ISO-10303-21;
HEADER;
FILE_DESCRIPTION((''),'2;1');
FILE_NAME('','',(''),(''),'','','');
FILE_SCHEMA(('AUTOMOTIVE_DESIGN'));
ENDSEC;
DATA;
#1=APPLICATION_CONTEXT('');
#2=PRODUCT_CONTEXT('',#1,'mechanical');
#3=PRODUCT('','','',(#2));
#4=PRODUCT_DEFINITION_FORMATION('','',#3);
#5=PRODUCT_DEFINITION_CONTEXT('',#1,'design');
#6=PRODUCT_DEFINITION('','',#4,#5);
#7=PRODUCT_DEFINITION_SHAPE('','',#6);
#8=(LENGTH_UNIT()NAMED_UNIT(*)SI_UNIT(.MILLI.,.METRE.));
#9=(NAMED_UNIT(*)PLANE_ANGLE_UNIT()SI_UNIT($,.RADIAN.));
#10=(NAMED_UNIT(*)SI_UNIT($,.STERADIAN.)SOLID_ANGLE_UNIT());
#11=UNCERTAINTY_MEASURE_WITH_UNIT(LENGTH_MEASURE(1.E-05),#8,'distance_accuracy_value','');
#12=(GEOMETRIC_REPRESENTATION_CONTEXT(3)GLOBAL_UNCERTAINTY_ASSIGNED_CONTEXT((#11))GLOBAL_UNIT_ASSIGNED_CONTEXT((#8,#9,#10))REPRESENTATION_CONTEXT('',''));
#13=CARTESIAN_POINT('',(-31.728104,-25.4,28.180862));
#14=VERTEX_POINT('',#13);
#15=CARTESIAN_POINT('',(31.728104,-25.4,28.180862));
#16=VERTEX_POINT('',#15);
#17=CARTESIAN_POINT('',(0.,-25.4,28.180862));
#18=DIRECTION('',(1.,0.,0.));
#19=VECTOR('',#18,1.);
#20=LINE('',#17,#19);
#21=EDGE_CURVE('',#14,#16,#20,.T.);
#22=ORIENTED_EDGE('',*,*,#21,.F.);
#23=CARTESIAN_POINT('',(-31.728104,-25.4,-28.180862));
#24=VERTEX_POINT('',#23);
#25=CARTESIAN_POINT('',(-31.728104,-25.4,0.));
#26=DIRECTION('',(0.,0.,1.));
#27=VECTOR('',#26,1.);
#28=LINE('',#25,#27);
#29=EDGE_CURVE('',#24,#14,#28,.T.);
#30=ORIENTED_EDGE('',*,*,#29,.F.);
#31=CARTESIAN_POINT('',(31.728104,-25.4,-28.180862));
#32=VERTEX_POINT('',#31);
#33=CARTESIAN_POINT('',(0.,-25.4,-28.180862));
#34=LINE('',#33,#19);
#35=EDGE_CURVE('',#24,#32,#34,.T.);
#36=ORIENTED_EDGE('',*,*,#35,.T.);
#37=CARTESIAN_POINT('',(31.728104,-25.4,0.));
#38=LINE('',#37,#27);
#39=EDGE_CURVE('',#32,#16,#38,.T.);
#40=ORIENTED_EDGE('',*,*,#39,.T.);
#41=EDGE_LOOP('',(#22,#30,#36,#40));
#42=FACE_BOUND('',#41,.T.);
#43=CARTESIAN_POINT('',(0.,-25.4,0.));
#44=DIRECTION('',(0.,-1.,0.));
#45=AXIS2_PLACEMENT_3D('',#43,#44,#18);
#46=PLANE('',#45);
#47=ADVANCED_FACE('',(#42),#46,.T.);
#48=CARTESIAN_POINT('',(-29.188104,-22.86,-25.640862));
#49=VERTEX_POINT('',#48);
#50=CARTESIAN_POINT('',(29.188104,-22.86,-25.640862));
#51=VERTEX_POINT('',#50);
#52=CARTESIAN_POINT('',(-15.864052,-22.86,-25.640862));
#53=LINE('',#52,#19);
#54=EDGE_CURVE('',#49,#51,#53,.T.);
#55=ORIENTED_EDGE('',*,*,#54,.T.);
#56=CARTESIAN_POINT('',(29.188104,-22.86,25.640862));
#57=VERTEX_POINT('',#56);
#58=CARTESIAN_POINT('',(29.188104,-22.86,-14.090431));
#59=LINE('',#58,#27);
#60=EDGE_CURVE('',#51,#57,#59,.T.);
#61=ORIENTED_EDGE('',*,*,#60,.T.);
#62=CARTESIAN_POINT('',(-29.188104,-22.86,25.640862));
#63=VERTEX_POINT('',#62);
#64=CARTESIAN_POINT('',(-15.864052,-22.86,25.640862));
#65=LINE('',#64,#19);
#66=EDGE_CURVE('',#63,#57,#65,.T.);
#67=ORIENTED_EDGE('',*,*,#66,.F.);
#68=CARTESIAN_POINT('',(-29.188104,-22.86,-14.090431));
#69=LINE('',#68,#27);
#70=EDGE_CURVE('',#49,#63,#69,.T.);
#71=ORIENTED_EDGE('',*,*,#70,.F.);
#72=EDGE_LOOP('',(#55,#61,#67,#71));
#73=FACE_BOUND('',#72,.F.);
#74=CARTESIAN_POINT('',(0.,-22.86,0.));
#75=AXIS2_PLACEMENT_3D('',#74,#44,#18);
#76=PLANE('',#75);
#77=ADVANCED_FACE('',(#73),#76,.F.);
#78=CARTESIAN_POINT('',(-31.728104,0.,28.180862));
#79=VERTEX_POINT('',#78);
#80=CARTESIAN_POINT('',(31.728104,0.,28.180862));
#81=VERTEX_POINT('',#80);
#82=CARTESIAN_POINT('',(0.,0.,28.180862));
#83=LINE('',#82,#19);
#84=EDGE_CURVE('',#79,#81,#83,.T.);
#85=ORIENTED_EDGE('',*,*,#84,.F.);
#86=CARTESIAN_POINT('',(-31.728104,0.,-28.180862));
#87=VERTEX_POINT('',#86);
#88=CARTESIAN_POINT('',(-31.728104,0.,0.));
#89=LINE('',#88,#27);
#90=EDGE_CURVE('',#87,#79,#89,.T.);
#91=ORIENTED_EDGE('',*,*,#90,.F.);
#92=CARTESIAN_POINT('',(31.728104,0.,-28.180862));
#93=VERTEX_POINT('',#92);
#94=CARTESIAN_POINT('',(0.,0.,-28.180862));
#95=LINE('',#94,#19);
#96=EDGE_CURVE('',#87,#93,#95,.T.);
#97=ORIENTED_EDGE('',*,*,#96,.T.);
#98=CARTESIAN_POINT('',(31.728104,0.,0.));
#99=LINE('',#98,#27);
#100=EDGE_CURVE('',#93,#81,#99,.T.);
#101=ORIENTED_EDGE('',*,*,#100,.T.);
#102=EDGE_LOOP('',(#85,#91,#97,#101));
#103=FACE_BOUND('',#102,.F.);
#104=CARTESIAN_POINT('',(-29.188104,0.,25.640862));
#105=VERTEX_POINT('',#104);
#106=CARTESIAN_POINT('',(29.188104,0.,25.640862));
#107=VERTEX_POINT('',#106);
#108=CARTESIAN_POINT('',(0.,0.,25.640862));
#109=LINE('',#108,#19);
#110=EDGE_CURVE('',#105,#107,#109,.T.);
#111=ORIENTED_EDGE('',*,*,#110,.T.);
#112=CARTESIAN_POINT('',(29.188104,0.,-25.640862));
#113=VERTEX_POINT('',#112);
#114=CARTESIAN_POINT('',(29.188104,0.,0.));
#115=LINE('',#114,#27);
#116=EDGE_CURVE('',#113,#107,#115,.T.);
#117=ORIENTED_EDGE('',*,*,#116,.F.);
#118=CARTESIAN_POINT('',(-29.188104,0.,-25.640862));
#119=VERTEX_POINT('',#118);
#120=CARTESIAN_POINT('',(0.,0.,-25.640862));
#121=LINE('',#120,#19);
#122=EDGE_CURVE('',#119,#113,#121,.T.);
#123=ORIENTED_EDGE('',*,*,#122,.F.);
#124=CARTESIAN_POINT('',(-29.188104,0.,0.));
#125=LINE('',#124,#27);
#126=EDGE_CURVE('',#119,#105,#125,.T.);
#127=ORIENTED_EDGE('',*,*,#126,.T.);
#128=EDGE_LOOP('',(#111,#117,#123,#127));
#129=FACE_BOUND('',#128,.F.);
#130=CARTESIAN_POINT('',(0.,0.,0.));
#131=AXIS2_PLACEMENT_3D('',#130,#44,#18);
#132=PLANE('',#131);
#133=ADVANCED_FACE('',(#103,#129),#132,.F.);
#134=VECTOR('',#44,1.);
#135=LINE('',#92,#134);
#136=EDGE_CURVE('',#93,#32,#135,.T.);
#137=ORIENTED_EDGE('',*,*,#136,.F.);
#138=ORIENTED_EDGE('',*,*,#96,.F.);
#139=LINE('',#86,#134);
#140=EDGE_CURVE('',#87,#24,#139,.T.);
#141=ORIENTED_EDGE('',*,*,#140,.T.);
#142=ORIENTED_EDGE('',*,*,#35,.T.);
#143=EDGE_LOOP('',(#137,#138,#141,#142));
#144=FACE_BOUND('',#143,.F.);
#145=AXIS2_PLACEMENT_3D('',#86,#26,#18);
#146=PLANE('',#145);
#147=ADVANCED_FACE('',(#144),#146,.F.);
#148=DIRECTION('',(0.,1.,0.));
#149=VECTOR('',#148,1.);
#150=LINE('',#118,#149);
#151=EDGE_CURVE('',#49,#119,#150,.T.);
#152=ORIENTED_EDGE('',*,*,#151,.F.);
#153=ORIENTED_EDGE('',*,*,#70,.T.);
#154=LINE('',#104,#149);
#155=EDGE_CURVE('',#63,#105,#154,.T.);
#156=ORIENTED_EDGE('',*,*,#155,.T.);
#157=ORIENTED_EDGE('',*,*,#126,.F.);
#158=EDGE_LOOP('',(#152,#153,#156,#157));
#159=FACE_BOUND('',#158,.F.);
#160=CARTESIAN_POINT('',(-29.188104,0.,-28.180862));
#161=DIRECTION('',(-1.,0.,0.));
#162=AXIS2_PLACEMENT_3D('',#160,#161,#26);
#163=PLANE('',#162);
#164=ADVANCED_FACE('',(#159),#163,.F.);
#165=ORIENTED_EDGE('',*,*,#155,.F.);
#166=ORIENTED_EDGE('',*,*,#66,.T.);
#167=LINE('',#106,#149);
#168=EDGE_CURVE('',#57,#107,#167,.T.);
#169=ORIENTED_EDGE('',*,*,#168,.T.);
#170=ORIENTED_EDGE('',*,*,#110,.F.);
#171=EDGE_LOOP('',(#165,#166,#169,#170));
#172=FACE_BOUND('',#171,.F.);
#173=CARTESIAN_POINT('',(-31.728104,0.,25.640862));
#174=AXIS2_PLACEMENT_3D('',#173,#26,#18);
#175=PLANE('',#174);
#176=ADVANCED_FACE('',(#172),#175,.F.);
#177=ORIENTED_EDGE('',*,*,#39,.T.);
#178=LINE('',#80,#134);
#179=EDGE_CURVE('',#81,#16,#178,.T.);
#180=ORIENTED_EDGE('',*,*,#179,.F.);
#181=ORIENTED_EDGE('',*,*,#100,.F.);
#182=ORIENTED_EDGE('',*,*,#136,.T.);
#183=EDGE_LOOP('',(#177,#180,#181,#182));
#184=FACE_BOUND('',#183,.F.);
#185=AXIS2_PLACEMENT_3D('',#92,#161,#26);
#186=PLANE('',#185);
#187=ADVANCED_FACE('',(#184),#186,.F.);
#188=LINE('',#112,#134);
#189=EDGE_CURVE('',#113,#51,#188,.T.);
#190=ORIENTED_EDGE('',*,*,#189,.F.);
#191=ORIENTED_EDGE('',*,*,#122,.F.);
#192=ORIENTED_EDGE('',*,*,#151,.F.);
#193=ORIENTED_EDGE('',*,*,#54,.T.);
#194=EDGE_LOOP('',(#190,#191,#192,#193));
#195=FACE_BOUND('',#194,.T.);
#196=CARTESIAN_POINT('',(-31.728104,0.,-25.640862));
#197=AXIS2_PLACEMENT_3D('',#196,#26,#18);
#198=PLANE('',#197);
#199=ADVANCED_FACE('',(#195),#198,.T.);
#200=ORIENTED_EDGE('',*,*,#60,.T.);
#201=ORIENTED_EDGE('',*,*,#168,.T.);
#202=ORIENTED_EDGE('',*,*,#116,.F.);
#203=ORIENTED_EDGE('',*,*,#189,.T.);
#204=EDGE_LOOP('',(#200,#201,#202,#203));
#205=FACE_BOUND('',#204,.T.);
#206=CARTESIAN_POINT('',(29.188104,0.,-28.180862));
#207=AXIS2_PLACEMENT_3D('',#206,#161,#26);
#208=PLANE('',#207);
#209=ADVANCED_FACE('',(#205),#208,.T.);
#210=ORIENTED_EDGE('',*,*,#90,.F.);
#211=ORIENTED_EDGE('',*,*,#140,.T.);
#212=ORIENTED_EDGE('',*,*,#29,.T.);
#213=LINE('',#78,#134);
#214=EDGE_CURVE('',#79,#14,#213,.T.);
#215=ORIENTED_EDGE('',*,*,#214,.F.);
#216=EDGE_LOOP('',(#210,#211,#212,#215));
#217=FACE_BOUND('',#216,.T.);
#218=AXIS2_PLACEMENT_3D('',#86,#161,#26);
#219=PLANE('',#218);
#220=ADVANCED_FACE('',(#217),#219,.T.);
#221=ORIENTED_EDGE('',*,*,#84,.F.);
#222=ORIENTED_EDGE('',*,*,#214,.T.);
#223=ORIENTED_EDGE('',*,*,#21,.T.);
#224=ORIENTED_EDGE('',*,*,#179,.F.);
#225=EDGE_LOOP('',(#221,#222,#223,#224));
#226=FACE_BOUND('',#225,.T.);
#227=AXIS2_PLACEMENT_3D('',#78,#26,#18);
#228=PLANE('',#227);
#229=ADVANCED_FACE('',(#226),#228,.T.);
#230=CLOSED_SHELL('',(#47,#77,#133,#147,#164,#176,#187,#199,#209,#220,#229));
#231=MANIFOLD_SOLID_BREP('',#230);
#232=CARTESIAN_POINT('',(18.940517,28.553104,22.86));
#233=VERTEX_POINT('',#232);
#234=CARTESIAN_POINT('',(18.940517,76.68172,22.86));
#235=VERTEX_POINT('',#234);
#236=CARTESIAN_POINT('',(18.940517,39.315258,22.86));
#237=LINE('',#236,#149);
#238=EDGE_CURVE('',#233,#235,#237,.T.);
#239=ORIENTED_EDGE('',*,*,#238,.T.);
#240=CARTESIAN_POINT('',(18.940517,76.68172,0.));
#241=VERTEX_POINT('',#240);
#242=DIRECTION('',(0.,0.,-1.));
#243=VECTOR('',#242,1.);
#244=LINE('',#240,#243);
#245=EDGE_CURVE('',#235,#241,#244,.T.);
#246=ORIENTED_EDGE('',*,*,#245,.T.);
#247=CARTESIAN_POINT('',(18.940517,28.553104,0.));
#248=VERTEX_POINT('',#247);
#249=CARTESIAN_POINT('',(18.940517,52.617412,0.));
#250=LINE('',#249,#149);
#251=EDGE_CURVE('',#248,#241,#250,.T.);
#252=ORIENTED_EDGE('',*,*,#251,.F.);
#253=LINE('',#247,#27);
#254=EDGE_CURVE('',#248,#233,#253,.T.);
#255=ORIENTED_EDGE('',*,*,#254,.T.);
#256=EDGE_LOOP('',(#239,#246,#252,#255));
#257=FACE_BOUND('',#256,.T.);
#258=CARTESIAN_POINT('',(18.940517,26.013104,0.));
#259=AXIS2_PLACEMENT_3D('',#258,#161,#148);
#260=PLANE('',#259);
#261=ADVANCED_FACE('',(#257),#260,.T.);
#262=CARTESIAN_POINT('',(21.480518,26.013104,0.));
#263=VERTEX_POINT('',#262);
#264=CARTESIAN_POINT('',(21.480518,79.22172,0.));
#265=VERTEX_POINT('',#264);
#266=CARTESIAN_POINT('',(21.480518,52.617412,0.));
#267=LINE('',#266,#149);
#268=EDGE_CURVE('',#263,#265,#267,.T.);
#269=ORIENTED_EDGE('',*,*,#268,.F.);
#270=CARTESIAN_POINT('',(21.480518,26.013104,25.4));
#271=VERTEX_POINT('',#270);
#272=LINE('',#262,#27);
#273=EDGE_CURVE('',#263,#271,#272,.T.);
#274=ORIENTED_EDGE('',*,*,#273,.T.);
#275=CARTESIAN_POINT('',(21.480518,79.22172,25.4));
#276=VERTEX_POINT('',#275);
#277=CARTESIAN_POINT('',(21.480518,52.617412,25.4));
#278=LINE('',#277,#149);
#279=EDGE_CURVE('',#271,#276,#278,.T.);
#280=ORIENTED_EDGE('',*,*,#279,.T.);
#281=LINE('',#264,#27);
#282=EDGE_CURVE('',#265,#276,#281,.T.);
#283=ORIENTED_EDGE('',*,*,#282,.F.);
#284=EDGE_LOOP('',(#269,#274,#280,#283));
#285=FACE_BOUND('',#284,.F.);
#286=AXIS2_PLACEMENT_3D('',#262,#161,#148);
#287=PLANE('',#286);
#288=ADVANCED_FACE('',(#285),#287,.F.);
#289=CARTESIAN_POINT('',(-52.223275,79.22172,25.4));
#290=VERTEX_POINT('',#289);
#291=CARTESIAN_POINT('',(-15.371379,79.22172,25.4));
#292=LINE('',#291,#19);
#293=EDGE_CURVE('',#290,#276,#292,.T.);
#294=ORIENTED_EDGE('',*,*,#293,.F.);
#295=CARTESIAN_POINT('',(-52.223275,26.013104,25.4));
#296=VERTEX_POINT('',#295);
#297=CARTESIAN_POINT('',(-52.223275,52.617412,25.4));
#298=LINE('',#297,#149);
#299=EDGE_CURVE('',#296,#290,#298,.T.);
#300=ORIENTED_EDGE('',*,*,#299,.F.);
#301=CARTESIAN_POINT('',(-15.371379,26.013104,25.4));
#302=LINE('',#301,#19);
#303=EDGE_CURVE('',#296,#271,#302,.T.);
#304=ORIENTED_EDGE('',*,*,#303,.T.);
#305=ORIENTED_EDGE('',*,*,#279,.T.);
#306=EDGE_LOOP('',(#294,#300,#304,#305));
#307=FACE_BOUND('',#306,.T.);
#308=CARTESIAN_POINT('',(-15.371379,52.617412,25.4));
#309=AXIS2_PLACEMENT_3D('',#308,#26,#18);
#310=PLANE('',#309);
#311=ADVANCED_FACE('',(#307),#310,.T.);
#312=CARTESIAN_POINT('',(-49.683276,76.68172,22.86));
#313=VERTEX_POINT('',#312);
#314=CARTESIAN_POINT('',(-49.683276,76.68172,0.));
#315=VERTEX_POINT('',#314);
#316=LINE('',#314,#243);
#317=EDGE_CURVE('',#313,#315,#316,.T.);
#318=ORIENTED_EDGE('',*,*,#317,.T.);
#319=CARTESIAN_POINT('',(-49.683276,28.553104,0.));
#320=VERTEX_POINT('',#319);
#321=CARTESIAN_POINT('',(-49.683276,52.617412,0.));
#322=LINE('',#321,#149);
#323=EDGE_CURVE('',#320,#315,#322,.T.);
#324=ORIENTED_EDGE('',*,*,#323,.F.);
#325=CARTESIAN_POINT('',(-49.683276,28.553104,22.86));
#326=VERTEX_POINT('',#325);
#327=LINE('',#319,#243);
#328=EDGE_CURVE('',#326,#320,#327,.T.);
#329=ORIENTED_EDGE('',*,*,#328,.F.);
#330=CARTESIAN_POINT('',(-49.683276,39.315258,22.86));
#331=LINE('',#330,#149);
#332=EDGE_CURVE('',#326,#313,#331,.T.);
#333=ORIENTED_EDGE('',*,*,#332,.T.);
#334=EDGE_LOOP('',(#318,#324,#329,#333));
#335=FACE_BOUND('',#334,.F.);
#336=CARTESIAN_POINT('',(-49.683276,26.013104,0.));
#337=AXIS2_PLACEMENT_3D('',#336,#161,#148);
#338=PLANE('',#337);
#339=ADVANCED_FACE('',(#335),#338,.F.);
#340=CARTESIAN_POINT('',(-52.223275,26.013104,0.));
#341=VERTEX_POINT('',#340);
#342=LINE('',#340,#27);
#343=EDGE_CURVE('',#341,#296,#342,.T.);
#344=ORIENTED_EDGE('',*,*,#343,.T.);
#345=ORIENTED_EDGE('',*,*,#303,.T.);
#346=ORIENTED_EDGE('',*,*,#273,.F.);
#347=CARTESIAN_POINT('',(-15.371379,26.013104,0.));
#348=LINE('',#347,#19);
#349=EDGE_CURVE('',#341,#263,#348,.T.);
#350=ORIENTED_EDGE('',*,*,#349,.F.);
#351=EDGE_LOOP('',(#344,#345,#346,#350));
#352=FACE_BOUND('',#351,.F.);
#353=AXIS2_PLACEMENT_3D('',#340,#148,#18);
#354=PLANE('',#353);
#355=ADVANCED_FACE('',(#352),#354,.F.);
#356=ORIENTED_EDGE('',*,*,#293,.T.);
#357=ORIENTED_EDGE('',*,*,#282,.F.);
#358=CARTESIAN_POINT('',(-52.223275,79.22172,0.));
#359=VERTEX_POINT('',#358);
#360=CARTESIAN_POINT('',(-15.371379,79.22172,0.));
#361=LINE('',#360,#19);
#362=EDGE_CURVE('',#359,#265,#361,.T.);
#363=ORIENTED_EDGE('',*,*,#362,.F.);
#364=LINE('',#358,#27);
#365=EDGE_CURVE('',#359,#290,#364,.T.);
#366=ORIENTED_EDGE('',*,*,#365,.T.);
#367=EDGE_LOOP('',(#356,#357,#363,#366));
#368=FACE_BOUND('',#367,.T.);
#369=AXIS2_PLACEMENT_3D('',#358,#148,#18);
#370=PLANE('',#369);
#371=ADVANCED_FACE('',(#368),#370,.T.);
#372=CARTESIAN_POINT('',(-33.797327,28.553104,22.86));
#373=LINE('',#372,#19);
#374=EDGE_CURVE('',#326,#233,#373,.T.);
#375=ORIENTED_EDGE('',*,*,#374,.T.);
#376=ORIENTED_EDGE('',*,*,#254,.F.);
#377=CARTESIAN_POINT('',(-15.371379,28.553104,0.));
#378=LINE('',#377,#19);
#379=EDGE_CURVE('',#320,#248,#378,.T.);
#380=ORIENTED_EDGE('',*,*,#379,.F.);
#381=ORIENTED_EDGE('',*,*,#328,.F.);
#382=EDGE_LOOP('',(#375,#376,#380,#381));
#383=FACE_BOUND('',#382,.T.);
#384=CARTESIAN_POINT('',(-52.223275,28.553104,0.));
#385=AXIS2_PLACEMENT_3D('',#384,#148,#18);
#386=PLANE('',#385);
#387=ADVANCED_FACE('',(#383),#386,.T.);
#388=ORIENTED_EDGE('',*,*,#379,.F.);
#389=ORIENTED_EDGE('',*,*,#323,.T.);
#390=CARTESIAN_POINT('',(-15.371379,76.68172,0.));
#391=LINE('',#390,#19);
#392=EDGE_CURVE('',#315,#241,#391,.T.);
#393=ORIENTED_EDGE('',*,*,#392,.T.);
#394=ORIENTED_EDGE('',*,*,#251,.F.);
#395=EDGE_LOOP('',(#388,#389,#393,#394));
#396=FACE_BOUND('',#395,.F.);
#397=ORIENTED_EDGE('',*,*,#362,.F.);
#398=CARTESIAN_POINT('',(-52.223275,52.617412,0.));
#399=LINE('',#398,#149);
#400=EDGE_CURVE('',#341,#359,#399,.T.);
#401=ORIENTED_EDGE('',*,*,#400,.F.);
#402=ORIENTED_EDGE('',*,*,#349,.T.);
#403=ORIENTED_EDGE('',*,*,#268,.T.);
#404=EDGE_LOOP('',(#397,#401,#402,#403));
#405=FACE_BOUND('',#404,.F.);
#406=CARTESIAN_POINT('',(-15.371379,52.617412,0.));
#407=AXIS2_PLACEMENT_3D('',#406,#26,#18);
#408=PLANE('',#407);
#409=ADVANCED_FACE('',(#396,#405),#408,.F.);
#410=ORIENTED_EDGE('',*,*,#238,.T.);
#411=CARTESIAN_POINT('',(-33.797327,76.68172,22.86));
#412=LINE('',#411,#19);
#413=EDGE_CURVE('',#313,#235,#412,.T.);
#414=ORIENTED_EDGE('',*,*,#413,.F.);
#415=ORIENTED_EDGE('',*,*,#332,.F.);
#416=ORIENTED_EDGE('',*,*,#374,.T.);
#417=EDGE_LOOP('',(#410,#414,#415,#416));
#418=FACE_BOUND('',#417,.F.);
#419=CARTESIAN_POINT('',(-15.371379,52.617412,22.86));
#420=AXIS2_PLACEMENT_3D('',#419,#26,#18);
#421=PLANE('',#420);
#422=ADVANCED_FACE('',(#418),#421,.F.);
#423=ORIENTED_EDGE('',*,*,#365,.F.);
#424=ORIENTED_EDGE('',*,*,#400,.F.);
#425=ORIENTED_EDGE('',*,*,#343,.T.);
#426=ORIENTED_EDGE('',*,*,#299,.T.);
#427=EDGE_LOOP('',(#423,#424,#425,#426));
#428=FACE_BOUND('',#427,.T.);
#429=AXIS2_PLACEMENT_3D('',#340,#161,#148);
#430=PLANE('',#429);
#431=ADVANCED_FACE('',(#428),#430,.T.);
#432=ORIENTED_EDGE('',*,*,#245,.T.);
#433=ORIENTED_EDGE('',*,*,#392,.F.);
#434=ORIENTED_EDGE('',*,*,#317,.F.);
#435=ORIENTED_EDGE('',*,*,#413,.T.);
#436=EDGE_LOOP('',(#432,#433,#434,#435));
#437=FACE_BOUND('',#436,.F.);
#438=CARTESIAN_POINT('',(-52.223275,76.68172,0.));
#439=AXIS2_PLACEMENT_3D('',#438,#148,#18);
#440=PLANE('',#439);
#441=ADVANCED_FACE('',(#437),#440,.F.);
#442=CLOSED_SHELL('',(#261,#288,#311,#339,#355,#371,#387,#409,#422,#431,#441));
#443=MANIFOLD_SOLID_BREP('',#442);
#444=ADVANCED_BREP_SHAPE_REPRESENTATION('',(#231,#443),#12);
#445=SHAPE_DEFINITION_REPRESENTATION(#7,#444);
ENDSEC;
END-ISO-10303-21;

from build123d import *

# Parameters (mm, degrees)
F0_W     = 63.456208
F0_H     = 56.361724
F1_DEPTH = 25.4
F2_W     = 73.703793
F2_H     = 53.208616
F3_DEPTH = 25.4
F4_T     = -2.54
F4_2_T   = -2.54


with BuildPart() as f1:
    # F0 (on Front) → F1 (new body)
    with BuildSketch(Plane.XZ):
        Rectangle(F0_W, F0_H)
    extrude(amount=F1_DEPTH)

    # F4#2
    f4_2_openings = [f1.faces().sort_by_distance(p)[0] for p in [
        (0, 0, 0),
    ]]
    offset(amount=F4_2_T, openings=f4_2_openings)


with BuildPart() as f3:
    # F2 (on Top) → F3 (new body)
    with BuildSketch(Plane.XY):
        with Locations((-15.371379, 52.617412)):
            Rectangle(F2_W, F2_H)
    extrude(amount=F3_DEPTH)

    # F4
    f4_openings = [f3.faces().sort_by_distance(p)[0] for p in [
        (-15.371379, 52.617412, 0),
    ]]
    offset(amount=F4_T, openings=f4_openings)


solid = Compound([f1.part, f3.part])
